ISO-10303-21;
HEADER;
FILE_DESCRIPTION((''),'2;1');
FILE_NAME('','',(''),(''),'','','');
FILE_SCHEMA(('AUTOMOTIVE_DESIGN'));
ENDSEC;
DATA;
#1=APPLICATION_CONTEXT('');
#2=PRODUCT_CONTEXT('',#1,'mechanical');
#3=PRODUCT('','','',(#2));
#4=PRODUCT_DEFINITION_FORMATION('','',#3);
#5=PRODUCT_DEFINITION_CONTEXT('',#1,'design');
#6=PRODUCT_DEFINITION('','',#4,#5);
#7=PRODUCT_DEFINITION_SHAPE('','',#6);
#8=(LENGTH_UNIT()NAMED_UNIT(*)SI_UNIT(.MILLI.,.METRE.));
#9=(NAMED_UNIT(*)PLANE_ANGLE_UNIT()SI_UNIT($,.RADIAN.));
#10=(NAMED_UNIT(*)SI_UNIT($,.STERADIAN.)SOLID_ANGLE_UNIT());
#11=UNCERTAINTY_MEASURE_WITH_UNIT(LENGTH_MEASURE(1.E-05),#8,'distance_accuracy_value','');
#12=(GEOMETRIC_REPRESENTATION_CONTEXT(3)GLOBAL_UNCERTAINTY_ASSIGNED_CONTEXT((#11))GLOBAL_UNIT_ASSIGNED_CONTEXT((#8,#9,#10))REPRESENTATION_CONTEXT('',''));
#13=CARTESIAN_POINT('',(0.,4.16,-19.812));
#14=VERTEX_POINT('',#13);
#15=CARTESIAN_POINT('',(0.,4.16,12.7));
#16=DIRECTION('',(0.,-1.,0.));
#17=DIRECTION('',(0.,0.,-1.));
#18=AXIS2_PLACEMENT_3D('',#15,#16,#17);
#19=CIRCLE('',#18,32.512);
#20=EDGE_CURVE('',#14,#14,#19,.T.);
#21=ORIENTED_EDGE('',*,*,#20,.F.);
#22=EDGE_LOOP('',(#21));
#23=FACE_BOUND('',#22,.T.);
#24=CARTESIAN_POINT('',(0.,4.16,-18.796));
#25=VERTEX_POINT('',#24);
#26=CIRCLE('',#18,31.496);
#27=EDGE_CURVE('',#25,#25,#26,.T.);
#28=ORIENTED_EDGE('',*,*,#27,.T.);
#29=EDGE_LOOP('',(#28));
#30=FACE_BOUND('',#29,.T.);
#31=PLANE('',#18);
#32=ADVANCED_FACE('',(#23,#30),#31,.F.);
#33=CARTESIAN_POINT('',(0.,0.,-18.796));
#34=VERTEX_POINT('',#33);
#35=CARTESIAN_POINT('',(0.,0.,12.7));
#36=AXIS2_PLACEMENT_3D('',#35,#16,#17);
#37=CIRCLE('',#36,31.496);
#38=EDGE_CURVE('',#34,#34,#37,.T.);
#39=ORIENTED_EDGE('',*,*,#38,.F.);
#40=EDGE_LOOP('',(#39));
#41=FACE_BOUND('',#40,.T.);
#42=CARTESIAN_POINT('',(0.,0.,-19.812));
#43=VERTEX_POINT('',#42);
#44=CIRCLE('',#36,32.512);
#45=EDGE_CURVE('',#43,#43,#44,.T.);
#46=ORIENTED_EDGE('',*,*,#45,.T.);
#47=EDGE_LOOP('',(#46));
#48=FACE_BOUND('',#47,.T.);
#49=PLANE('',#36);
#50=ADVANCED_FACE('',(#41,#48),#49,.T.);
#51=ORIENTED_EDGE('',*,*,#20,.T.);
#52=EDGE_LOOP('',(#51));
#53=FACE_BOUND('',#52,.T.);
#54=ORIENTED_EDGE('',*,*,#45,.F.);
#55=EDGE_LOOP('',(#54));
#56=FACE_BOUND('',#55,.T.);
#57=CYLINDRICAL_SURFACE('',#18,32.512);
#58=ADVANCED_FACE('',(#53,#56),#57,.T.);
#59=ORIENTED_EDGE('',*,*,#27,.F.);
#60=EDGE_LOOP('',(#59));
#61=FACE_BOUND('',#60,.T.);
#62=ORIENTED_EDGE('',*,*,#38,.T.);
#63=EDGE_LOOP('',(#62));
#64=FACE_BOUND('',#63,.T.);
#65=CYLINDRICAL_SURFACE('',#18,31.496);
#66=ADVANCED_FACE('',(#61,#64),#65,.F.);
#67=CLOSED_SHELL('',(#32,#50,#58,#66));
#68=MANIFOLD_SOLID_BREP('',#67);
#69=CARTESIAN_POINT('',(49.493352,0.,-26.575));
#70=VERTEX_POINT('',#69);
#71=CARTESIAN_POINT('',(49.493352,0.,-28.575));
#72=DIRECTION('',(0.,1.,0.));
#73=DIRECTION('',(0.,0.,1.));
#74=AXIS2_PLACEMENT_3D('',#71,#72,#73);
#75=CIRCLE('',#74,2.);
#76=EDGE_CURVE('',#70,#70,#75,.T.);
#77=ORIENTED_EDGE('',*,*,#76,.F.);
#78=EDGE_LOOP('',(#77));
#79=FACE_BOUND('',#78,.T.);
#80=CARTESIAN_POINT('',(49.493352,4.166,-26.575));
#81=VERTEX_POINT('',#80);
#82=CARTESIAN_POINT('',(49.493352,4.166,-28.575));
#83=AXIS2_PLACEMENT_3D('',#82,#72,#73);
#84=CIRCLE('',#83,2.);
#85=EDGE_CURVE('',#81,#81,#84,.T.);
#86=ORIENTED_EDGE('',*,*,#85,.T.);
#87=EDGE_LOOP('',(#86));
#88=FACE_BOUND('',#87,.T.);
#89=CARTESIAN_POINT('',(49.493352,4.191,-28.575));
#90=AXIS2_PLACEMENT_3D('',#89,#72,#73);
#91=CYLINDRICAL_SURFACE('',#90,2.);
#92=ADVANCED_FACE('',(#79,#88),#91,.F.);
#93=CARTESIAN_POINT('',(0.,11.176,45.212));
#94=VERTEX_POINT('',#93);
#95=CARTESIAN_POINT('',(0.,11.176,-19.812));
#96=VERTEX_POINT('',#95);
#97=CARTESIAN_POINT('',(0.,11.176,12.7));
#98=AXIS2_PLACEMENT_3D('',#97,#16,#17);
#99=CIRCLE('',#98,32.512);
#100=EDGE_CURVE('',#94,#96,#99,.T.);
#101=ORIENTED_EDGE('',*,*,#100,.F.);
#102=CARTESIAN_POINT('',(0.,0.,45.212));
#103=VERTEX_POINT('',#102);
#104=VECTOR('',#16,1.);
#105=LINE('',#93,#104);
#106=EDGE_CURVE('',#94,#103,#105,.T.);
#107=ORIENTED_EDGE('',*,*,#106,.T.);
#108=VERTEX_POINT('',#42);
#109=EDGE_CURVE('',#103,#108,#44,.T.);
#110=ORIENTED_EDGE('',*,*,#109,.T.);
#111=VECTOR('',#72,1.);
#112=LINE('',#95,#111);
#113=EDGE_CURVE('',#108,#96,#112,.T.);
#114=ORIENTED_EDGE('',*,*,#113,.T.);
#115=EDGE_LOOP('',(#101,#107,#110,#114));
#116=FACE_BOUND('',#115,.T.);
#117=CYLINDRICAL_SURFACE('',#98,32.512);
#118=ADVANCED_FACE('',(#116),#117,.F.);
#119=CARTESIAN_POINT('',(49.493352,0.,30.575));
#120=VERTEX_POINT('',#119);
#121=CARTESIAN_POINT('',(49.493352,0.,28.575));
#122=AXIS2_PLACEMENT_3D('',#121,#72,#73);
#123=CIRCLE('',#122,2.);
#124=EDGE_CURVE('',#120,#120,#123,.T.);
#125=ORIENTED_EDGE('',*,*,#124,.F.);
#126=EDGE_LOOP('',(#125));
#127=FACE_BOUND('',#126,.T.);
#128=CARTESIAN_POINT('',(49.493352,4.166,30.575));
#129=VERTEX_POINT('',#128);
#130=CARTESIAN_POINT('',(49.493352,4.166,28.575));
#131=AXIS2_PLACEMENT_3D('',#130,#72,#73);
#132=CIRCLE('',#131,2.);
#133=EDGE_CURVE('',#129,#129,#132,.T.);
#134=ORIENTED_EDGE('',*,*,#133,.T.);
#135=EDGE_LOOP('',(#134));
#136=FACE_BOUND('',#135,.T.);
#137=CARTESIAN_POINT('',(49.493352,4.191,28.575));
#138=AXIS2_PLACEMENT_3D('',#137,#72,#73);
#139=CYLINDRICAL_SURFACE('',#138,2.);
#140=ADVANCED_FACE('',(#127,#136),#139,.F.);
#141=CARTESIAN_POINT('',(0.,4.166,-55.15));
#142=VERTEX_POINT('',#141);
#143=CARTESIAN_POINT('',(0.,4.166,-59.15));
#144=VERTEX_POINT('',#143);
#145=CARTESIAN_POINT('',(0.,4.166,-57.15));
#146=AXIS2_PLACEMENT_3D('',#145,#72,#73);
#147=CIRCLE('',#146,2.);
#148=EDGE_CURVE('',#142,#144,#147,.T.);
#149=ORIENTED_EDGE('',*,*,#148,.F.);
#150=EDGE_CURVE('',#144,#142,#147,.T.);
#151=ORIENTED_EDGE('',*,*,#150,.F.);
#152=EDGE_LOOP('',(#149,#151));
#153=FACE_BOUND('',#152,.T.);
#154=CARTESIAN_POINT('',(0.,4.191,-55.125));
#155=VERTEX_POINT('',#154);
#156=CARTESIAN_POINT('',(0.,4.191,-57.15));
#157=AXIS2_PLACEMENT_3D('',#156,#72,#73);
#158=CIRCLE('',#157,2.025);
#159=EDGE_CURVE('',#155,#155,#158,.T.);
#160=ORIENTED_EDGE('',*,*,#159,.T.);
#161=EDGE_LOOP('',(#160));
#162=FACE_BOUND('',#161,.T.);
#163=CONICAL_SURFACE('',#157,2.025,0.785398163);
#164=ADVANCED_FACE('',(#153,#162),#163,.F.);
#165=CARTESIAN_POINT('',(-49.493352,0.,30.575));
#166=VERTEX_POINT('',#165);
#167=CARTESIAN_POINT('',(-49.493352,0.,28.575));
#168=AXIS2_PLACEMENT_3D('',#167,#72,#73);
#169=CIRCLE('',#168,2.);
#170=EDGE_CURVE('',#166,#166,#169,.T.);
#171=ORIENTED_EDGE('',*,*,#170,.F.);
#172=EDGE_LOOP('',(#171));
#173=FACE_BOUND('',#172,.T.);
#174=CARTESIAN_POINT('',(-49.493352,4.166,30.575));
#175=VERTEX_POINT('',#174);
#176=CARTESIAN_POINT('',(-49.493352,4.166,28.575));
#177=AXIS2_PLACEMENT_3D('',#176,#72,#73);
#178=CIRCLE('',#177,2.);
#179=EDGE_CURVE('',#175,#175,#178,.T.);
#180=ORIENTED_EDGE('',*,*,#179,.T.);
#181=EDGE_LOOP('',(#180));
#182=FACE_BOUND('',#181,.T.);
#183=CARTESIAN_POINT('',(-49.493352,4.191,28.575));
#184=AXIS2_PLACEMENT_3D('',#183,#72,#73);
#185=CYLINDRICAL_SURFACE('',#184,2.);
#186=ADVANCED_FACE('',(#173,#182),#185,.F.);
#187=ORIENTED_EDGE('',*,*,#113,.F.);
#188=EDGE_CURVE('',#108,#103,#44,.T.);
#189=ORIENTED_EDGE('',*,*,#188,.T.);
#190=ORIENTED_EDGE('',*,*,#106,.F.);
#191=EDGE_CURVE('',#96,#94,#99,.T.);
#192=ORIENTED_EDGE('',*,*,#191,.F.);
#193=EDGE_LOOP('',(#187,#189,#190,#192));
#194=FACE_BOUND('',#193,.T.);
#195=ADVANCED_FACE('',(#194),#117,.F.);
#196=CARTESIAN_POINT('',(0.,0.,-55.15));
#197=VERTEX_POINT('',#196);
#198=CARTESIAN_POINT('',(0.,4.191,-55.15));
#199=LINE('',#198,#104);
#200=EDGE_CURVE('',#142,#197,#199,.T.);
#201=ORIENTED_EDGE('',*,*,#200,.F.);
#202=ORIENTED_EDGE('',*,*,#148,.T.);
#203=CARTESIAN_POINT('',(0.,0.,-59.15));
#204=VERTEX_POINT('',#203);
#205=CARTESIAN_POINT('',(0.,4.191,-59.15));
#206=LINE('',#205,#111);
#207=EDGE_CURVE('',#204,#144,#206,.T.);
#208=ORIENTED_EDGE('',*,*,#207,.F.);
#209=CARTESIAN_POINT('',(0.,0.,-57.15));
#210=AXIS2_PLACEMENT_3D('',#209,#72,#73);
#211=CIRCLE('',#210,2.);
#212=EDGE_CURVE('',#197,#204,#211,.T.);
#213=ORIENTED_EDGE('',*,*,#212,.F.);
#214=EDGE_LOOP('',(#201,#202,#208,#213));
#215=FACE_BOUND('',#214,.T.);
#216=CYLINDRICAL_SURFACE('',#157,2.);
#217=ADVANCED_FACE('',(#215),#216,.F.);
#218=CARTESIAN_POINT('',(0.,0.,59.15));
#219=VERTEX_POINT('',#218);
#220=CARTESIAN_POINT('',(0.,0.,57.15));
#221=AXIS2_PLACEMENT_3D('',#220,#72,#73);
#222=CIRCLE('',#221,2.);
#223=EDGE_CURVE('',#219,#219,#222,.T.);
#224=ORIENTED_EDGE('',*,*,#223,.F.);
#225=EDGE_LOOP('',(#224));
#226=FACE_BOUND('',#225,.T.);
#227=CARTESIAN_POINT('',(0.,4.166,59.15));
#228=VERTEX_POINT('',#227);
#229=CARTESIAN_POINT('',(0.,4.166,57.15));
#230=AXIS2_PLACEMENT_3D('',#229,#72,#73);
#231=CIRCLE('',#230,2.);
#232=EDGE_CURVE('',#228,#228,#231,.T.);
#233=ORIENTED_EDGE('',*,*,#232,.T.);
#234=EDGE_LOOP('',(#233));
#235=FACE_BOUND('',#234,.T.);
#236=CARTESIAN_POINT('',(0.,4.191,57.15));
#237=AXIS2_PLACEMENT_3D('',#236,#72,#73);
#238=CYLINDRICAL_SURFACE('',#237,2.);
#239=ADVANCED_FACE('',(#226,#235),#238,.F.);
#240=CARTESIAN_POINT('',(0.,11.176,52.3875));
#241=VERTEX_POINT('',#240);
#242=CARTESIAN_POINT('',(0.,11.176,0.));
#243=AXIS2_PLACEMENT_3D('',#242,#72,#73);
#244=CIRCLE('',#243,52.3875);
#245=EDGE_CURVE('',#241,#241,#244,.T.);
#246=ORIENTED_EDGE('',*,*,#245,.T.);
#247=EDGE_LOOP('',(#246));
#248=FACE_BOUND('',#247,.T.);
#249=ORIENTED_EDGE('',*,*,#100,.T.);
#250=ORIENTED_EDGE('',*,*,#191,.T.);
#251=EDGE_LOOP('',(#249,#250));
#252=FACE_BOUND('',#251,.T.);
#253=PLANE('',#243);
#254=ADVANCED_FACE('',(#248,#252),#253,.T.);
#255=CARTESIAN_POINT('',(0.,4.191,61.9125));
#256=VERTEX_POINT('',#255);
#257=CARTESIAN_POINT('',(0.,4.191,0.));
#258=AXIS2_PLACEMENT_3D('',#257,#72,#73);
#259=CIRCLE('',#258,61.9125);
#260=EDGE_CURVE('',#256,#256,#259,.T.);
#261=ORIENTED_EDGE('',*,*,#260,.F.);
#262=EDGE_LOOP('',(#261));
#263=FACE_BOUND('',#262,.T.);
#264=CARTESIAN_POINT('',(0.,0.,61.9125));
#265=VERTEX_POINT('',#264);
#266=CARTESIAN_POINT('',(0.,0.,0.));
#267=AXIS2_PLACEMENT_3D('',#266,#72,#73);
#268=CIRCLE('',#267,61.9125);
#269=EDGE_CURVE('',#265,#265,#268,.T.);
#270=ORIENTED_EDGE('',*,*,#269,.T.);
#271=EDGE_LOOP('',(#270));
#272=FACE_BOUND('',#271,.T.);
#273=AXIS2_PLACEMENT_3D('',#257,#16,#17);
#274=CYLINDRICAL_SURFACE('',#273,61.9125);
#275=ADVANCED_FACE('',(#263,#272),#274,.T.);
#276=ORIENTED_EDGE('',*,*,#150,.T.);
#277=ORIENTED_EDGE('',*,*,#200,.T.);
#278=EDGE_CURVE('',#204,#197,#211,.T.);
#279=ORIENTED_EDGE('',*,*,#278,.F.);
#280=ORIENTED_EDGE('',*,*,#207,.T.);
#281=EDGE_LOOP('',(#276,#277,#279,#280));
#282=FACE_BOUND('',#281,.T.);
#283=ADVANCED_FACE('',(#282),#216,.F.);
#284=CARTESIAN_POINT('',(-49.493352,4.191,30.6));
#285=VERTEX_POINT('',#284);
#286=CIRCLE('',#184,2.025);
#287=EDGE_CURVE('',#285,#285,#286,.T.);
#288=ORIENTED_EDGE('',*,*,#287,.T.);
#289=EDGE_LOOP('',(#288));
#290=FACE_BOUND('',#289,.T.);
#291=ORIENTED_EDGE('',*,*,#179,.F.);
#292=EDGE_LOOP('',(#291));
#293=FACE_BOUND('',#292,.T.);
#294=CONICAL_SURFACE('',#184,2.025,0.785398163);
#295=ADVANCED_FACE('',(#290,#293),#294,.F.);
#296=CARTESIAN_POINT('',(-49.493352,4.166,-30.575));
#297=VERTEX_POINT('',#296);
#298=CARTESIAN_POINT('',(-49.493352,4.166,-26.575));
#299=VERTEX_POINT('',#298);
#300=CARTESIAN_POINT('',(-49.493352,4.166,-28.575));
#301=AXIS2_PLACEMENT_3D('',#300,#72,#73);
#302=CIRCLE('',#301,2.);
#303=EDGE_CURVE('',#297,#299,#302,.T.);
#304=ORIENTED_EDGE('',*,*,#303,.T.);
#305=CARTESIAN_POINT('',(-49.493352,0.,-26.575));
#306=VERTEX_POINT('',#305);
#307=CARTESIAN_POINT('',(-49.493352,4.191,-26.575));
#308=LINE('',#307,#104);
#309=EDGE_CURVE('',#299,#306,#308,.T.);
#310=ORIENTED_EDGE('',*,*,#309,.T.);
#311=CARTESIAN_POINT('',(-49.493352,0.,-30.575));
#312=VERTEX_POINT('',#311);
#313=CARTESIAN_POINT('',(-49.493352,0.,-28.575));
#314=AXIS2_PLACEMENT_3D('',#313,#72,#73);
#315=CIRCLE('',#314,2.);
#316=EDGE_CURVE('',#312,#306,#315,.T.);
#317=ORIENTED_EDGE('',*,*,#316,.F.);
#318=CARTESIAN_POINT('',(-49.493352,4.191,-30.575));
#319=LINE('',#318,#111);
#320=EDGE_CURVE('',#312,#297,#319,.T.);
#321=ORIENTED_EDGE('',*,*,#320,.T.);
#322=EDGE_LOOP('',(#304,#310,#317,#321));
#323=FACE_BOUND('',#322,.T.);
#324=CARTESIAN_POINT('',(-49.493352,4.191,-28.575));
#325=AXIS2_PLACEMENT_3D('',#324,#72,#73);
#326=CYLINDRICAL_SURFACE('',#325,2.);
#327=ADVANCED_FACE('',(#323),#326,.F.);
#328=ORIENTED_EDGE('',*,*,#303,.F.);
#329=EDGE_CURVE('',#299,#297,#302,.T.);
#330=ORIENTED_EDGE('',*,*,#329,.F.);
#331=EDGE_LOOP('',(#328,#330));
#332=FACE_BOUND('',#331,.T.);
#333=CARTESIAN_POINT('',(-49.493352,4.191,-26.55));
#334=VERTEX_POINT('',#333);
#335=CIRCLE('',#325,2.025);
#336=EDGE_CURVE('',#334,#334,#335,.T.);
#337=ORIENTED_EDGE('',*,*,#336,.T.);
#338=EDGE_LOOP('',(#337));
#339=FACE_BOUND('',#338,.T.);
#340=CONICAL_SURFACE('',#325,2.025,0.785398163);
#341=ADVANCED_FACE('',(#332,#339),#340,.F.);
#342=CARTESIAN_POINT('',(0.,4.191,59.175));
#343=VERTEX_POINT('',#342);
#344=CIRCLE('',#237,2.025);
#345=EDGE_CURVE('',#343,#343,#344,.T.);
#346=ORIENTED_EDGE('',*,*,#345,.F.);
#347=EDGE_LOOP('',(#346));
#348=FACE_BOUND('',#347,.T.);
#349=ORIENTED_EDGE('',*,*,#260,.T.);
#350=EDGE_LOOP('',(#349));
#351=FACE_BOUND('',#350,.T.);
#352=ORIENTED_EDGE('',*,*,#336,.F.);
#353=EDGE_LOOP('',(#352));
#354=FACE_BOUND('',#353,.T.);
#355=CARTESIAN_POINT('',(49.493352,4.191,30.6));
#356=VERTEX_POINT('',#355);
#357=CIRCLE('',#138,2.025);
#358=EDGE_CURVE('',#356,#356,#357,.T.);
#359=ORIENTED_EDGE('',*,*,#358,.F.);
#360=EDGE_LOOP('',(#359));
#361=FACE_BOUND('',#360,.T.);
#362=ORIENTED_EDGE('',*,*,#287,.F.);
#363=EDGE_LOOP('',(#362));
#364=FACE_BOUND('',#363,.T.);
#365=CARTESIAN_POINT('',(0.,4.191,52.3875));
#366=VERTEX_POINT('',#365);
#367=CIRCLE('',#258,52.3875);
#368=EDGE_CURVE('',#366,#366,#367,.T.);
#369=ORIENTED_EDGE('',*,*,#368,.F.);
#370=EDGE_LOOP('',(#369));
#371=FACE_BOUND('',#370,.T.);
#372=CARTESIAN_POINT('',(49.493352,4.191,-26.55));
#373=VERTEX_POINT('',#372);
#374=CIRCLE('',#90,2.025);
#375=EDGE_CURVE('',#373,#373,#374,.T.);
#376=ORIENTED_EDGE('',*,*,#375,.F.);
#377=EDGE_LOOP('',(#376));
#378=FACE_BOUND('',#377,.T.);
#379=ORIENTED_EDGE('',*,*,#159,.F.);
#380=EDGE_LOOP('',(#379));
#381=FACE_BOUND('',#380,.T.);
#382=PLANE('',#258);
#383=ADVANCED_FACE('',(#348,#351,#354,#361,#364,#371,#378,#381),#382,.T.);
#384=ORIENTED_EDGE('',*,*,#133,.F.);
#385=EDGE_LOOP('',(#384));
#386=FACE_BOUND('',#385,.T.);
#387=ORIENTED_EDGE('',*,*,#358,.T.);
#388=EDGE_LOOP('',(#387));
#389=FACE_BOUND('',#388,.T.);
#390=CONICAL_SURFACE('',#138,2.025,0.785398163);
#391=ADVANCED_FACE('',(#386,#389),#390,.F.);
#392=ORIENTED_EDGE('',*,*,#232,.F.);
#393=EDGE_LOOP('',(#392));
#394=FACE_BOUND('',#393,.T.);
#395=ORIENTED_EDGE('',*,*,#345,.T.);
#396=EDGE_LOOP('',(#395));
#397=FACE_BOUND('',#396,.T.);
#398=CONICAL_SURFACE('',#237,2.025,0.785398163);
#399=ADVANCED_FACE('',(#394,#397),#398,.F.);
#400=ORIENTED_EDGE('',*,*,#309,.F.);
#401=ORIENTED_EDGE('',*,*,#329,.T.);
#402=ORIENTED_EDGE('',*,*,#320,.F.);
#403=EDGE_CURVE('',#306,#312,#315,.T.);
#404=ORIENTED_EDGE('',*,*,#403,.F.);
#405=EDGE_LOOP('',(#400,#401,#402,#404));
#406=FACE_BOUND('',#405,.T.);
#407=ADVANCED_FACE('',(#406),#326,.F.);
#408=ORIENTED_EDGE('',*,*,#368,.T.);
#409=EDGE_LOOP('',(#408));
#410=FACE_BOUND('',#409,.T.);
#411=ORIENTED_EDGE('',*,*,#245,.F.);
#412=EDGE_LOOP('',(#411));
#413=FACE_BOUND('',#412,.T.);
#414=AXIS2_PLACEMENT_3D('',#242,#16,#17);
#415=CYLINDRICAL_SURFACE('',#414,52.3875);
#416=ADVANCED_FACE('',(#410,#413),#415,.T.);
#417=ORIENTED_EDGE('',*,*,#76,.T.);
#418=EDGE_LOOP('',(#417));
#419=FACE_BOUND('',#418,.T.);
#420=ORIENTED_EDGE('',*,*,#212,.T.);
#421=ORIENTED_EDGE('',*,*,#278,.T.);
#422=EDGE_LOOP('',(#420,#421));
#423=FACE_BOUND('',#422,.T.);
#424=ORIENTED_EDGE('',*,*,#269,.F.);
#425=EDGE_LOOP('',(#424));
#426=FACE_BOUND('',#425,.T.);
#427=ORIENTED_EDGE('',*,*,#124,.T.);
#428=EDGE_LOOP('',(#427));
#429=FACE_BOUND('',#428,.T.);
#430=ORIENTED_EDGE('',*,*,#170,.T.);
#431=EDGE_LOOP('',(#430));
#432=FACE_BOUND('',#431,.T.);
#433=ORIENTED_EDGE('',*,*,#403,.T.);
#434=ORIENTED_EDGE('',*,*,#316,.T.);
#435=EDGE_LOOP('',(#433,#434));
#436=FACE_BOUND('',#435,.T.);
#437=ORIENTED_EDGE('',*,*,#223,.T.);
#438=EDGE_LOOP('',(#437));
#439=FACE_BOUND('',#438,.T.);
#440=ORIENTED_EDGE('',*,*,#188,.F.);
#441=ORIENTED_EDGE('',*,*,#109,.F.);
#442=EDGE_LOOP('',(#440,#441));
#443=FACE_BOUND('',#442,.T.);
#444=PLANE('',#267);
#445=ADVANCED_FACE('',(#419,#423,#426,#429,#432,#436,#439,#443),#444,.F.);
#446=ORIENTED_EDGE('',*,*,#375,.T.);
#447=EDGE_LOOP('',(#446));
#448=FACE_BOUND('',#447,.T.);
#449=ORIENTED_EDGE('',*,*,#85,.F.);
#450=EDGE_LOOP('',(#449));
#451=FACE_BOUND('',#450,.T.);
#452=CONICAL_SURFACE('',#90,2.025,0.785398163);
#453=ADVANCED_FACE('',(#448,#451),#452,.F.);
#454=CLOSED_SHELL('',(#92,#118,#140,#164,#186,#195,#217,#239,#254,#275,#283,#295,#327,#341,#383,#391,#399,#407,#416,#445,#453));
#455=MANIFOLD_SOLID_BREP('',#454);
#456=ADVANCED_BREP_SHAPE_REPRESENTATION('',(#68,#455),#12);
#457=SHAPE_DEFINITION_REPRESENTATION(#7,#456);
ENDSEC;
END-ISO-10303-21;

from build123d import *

# Parameters (mm, degrees)
SKETCH1_R                  = 61.9125
SKETCH1_R_2                = 30.988
SLOTTED_BODY_EXTRUDE_DEPTH = 4.191
SKETCH5_R                  = 52.3875
BOSS_EXTRUDE3_DEPTH        = 6.985
SKETCH6_R                  = 32.512
CUT_EXTRUDE5_DEPTH         = 89.267878011
SKETCH8_R                  = 32.512
SKETCH8_R_2                = 31.496
BOSS_EXTRUDE4_DEPTH        = 4.160000062
CIRPATTERN1_COUNT          = 6


with BuildPart() as part:
    # Sketch1 → Slotted-Body Extrude (new body)
    with BuildSketch(Plane(origin=(0, 0, 0), x_dir=(1, 0, 0), z_dir=(0, 1, 0))):
        with Locations(Location((0, 0, 0), (0, 0, 270))):
            Circle(SKETCH1_R)
        with Locations(Location((0, -12.7, 0), (0, 0, 270))):
            Circle(SKETCH1_R_2, mode=Mode.SUBTRACT)
    extrude(amount=SLOTTED_BODY_EXTRUDE_DEPTH)

    # Sketch5 → Boss-Extrude3 (add)
    with BuildSketch(Plane(origin=(0, 4.191, 0), x_dir=(1, 0, 0), z_dir=(0, 1, 0))):
        with Locations(Location((0, 0, 0), (0, 0, 270))):
            Circle(SKETCH5_R)
    extrude(amount=BOSS_EXTRUDE3_DEPTH)

    # Sketch6 → Cut-Extrude5 (cut, through all)
    with BuildSketch(Plane.XZ):
        with Locations(Location((0, 12.7, 0), (0, 0, 270))):
            Circle(SKETCH6_R)
    extrude(amount=-CUT_EXTRUDE5_DEPTH, mode=Mode.SUBTRACT)

    # Sketch10 → Ø4.0mm Dowel Hole2 (revolve, cut)
    with BuildSketch(Plane(origin=(0, 4.191, -57.15), x_dir=(0, 0, 1), z_dir=(1, 0, 0))):
        Polygon((0, 0), (0, 4.191), (2, 4.191), (2, 0.025), (2.025, 0), align=None)
    f_4_0mm_dowel_hole2 = revolve(axis=Axis((0, 10.541, -57.15), (0, -1, 0)), mode=Mode.SUBTRACT)

    # CirPattern1: Ø4.0mm Dowel Hole2 ×6 about axis
    cirpattern1_axis = Axis((0, 0, 0), (0, 1, 0))
    for i in range(1, CIRPATTERN1_COUNT):
        add(f_4_0mm_dowel_hole2.rotate(cirpattern1_axis, i * 360 / CIRPATTERN1_COUNT), mode=Mode.SUBTRACT)


with BuildPart() as body_2:
    # Sketch8 → Boss-Extrude4 (new body)
    with BuildSketch(Plane.XZ):
        with Locations(Location((0, 12.7, 0), (0, 0, 270))):
            Circle(SKETCH8_R)
        with Locations(Location((0, 12.7, 0), (0, 0, 270))):
            Circle(SKETCH8_R_2, mode=Mode.SUBTRACT)
    extrude(amount=-BOSS_EXTRUDE4_DEPTH)


solid = Compound([part.part, body_2.part])
